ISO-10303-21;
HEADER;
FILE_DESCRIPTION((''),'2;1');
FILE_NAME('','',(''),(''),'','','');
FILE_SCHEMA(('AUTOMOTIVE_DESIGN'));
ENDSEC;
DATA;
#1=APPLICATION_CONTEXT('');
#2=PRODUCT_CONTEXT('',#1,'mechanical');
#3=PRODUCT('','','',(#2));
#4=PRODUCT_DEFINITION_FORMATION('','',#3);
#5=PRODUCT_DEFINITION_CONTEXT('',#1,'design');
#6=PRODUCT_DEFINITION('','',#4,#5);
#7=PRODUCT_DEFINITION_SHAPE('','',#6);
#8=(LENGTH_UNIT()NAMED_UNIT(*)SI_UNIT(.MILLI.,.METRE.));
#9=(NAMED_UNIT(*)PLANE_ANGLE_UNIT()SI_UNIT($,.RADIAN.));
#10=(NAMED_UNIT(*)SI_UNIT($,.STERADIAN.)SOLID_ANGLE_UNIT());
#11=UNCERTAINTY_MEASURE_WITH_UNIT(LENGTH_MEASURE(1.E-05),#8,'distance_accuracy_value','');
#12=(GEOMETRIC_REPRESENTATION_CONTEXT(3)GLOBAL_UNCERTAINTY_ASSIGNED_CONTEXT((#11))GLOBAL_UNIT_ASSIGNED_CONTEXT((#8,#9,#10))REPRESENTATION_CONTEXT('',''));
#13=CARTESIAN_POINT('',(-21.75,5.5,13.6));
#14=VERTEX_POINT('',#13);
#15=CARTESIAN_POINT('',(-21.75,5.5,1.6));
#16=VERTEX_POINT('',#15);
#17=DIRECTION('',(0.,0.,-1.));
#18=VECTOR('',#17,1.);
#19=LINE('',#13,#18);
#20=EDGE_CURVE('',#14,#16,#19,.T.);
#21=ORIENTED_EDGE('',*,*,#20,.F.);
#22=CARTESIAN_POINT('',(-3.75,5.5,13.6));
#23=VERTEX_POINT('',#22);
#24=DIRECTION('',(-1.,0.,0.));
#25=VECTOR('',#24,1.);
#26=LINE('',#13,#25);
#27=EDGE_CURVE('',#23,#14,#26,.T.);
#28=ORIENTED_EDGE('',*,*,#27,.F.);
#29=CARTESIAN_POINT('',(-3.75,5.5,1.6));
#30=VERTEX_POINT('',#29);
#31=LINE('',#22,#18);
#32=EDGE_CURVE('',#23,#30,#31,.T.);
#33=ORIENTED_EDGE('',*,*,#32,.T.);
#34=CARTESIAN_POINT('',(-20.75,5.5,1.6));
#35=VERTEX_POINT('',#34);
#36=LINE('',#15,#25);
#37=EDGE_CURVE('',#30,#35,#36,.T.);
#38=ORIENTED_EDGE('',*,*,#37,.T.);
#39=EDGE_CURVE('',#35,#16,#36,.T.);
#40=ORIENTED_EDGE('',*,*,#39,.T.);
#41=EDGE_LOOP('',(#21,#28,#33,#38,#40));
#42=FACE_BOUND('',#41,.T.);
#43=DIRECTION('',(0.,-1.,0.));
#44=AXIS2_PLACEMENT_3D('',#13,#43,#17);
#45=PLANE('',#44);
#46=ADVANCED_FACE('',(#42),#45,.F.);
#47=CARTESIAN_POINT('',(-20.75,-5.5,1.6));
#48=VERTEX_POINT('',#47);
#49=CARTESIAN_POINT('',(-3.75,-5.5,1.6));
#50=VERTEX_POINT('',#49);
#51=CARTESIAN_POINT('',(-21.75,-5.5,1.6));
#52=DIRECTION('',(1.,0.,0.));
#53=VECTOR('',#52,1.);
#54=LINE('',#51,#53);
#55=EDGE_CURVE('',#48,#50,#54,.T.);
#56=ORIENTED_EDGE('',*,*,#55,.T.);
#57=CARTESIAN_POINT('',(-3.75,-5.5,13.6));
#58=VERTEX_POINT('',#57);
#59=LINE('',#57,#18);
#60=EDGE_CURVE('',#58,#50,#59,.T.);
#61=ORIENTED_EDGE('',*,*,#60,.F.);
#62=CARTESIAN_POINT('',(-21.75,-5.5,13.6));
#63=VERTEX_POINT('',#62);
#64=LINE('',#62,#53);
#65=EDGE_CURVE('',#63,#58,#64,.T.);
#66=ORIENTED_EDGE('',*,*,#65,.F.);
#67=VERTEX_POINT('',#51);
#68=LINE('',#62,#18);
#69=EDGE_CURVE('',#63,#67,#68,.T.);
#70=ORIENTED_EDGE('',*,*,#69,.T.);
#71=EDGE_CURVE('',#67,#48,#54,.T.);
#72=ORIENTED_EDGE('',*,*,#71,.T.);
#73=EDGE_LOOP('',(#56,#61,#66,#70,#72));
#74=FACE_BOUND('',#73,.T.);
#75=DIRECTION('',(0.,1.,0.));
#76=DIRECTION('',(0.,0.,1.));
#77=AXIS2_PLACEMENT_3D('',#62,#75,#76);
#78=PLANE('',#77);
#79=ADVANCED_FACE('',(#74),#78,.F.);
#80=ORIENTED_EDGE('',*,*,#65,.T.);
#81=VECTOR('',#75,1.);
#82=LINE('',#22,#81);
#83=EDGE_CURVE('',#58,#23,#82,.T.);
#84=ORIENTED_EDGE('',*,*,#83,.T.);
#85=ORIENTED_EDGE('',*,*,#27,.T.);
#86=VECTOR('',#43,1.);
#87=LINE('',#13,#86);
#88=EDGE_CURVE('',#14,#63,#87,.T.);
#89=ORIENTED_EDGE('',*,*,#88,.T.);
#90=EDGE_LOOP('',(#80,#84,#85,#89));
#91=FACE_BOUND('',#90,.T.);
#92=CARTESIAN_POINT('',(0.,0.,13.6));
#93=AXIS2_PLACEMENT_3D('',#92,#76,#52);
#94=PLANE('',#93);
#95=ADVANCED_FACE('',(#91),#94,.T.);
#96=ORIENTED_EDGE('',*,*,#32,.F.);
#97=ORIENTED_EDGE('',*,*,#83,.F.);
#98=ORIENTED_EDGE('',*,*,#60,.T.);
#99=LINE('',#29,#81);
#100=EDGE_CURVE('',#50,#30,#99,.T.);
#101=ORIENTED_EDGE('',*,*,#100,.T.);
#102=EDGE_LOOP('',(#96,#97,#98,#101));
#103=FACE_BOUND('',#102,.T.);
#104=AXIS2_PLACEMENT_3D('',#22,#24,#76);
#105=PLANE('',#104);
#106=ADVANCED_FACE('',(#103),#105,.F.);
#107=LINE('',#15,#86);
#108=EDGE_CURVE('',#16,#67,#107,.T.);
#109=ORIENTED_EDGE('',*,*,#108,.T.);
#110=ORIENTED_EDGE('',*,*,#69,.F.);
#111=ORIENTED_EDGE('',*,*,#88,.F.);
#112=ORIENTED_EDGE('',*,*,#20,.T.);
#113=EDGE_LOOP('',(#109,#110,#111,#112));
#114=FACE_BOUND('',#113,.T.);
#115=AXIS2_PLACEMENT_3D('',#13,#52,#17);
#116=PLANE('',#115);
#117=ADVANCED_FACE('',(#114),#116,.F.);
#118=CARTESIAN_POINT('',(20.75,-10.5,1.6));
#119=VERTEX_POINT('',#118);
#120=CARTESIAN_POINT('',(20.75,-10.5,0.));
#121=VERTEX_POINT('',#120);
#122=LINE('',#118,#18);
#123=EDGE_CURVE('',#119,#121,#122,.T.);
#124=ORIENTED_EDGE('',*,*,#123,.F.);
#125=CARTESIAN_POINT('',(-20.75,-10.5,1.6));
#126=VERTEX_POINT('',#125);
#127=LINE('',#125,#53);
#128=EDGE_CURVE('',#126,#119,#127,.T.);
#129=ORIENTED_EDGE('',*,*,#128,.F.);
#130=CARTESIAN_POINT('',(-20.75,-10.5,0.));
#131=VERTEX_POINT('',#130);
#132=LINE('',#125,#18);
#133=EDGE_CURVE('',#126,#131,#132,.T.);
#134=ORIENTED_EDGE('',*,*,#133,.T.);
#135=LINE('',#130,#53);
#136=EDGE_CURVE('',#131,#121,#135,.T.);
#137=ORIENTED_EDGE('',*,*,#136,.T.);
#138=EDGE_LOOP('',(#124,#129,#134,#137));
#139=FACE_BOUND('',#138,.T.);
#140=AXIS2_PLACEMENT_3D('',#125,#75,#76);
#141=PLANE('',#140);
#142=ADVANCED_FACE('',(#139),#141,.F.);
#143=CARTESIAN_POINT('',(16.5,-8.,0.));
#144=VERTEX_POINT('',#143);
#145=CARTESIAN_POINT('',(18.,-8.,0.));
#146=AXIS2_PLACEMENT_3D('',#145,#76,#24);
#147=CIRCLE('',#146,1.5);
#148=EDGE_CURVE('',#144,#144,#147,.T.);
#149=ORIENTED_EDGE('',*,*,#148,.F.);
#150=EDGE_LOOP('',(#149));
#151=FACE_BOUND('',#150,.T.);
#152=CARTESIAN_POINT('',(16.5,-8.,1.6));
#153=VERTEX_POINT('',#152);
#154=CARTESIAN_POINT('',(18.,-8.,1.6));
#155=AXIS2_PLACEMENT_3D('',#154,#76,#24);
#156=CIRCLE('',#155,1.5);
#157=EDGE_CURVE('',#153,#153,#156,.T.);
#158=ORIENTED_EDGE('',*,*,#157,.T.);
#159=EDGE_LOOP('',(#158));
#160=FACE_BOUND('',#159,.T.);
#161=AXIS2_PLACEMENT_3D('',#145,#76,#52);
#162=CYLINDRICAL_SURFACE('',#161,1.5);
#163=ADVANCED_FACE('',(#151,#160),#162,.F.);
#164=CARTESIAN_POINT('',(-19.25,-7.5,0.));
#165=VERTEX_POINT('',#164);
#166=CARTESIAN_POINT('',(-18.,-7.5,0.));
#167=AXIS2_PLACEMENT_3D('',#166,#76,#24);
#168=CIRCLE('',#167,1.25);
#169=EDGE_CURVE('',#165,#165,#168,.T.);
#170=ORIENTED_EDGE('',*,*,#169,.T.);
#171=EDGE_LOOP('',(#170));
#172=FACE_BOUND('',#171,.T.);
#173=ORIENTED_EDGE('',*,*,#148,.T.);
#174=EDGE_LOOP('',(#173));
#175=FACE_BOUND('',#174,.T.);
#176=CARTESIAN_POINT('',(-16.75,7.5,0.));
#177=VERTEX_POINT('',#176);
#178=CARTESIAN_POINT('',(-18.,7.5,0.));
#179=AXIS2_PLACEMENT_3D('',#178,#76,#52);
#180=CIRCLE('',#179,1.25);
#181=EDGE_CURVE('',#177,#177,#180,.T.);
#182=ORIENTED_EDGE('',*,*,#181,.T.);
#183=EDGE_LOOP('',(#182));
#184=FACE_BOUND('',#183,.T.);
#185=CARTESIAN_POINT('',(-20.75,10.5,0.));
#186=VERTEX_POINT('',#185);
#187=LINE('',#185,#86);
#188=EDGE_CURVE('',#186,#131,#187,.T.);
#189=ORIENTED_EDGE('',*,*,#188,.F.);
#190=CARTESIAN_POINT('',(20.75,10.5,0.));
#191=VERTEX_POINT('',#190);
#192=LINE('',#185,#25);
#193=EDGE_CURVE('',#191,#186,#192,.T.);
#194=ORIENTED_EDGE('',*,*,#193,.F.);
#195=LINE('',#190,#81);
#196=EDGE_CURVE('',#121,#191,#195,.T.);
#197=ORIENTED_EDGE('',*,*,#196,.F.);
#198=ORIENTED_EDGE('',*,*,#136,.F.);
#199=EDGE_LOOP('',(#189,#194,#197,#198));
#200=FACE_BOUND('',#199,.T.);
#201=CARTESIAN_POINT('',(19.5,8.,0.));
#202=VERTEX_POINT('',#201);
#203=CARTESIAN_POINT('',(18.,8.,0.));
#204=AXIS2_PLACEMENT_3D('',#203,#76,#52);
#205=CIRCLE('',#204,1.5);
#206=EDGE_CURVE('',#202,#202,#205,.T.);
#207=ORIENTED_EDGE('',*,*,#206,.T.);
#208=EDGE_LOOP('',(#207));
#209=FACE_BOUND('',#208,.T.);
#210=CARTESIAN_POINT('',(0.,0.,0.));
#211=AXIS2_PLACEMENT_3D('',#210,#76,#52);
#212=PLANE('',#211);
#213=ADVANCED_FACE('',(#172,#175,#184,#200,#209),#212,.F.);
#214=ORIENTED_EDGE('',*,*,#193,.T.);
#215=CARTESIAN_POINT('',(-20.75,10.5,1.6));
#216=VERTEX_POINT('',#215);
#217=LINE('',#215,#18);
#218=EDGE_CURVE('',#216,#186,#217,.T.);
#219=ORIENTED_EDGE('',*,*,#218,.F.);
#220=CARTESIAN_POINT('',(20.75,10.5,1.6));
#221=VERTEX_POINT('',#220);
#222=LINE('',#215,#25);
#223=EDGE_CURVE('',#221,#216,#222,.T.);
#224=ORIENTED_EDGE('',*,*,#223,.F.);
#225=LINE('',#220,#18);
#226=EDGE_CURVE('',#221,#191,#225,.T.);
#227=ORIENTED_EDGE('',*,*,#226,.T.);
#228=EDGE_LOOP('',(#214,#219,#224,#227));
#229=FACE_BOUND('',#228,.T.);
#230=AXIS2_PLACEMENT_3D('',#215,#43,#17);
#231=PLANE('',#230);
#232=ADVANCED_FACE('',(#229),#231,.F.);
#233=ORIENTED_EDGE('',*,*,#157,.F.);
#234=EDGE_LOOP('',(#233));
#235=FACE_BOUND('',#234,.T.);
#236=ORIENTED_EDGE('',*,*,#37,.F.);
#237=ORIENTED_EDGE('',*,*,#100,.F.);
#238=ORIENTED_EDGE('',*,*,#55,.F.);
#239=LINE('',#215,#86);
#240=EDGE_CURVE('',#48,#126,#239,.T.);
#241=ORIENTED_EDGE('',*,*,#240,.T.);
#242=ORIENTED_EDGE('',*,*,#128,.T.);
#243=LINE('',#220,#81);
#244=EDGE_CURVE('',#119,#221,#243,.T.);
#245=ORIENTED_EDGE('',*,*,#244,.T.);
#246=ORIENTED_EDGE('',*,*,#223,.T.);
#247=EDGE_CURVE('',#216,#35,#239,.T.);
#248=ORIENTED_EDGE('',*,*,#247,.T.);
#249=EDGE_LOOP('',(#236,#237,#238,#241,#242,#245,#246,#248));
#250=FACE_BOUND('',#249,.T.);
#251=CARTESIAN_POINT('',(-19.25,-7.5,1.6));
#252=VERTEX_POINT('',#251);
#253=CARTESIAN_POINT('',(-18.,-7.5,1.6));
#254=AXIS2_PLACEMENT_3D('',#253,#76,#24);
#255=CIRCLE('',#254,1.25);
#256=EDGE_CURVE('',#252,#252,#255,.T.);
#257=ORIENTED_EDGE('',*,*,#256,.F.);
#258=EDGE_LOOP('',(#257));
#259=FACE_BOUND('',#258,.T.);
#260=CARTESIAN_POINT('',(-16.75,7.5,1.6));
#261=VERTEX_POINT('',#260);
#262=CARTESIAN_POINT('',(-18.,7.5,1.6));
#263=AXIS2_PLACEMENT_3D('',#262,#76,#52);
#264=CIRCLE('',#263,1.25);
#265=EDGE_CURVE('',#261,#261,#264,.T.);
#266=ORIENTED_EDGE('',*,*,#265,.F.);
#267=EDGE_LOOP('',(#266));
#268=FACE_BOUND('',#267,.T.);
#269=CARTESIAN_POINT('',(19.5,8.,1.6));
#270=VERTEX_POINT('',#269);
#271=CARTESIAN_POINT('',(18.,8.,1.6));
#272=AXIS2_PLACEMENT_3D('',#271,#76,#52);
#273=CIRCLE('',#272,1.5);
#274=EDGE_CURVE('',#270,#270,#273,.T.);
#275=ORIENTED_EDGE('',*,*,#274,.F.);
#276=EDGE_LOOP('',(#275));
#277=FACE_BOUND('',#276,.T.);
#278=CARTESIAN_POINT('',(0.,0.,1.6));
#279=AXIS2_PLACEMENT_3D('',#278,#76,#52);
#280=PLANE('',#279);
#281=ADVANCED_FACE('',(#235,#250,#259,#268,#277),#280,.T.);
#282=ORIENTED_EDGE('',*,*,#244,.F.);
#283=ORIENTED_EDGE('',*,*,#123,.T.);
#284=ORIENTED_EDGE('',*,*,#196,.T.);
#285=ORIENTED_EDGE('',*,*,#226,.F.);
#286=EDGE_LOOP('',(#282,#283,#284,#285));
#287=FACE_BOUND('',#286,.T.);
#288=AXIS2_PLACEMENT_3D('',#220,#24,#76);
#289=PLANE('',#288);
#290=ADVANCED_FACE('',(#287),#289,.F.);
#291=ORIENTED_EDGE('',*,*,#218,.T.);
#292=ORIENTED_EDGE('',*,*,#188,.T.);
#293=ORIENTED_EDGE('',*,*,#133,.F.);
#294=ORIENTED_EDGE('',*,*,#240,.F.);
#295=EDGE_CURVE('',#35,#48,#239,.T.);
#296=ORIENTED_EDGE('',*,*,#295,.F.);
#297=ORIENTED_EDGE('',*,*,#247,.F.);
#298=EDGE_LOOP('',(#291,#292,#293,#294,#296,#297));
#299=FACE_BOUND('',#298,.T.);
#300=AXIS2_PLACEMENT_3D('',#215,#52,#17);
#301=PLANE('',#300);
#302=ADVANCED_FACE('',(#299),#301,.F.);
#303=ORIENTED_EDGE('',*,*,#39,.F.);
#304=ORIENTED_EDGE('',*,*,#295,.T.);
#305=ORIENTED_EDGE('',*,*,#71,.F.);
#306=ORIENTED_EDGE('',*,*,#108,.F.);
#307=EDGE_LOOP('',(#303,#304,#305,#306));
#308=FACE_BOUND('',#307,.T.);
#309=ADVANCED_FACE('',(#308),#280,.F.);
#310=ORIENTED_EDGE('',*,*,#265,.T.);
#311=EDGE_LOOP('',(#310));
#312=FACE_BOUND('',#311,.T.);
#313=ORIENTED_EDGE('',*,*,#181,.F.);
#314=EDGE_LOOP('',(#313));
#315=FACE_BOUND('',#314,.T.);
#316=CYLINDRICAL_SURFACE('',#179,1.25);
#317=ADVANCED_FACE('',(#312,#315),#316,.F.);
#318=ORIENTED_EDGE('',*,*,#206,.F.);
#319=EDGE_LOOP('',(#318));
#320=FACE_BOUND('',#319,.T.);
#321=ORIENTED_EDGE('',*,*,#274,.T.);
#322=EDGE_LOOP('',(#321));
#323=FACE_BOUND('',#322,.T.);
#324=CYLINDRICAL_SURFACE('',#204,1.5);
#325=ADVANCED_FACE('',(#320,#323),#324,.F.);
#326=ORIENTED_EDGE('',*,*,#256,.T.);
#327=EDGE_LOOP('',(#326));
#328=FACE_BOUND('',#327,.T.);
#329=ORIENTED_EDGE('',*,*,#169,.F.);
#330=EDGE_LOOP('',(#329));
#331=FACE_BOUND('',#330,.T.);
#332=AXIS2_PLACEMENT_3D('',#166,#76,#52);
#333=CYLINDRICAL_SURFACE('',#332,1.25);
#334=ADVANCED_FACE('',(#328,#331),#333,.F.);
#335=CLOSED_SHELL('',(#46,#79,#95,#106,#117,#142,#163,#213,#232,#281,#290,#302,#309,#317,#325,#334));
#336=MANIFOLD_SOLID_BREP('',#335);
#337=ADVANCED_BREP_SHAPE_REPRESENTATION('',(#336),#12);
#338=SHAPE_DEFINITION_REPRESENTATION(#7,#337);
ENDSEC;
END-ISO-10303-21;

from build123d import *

# Parameters (mm, degrees)
SKETCH_1_W             = 41.5
SKETCH_1_H             = 21
EXTRUDE_346_DEPTH      = 1.6
SKETCH_2_W             = 18
SKETCH_2_H             = 11
RJ_9_DEPTH             = 12
SKETCH_3_R             = 1.25
SKETCH_3_R_2           = 1.5
CUT_EXTRUDE_1006_DEPTH = 27.968731895


with BuildPart() as part:
    # Эскиз1 → Extrude 346 (new body)
    with BuildSketch(Plane.XY):
        Rectangle(SKETCH_1_W, SKETCH_1_H)
    extrude(amount=EXTRUDE_346_DEPTH)

    # Эскиз2 → RJ-9 (add)
    with BuildSketch(Plane.XY.offset(1.6)):
        with Locations((-12.75, 0)):
            Rectangle(SKETCH_2_W, SKETCH_2_H)
    extrude(amount=RJ_9_DEPTH)

    # Эскиз3 → Cut-Extrude 1006 (cut, through all)
    with BuildSketch(Plane.XY.offset(1.6)):
        with Locations((-18, 7.5)):
            Circle(SKETCH_3_R)
        with Locations((18, 8)):
            Circle(SKETCH_3_R_2)
        with Locations(Location((18, -8, 0), (0, 0, 180))):
            Circle(SKETCH_3_R_2)
        with Locations(Location((-18, -7.5, 0), (0, 0, 180))):
            Circle(SKETCH_3_R)
    extrude(amount=-CUT_EXTRUDE_1006_DEPTH, mode=Mode.SUBTRACT)


solid = part.part
